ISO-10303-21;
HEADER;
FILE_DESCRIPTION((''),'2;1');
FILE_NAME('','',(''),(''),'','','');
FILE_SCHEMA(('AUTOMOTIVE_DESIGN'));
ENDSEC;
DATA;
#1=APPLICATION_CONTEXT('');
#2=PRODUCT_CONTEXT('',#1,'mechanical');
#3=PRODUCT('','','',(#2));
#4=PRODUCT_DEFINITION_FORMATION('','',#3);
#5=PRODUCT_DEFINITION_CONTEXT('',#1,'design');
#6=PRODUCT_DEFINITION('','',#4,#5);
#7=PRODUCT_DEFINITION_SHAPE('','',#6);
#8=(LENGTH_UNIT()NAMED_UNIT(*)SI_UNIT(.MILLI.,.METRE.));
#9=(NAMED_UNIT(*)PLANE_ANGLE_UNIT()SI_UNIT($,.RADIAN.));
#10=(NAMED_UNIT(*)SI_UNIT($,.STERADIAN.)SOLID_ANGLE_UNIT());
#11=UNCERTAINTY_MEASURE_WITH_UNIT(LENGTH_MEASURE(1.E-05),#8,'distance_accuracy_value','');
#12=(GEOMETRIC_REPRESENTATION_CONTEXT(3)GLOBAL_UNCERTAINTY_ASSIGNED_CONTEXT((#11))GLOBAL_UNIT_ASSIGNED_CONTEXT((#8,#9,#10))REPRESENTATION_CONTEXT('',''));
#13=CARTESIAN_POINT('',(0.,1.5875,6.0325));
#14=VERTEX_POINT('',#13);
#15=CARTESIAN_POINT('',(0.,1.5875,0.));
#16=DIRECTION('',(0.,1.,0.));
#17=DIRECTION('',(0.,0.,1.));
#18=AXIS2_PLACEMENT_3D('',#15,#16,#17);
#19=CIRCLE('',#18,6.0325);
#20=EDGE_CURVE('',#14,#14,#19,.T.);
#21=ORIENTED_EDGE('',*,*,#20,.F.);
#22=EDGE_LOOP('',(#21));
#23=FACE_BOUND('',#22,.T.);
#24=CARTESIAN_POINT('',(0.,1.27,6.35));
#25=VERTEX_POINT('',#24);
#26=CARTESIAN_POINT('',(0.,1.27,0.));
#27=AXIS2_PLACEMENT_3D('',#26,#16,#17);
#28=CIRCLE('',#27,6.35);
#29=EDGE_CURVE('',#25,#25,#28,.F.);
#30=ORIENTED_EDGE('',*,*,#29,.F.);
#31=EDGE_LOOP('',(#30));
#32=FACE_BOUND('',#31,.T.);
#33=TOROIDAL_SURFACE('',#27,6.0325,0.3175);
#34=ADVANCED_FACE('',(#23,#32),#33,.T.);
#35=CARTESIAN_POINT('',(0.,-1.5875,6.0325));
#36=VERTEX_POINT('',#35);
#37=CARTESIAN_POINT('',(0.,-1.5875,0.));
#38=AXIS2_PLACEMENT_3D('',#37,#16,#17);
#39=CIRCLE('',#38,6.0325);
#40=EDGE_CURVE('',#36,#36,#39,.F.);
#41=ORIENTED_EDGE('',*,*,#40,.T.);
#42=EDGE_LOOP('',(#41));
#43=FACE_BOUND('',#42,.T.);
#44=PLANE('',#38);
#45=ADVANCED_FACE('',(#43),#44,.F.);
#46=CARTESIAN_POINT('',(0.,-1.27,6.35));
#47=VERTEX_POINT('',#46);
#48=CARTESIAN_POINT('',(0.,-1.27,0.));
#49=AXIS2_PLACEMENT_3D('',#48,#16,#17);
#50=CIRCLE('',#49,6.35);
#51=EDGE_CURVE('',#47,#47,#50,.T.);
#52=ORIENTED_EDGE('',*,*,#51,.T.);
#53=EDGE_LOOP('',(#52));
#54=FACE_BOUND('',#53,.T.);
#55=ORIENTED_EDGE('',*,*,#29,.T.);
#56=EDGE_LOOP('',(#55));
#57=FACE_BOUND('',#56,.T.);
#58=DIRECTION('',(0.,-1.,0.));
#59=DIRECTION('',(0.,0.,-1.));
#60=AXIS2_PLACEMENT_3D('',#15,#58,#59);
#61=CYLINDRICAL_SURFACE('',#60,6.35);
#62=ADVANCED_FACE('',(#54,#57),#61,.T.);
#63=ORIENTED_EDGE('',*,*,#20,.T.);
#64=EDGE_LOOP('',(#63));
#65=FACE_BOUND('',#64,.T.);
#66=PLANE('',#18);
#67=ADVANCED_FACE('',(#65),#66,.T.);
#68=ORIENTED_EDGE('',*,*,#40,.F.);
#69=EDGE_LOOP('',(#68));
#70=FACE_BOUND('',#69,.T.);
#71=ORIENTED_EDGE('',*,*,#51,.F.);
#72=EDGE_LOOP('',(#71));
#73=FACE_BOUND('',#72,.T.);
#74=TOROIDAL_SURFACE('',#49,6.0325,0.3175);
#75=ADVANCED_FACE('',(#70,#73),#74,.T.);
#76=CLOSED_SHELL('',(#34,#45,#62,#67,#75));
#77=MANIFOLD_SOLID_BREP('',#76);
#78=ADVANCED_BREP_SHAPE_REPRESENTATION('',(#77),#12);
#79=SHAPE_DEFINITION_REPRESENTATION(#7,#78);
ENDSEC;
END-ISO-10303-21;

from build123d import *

# Parameters (mm, degrees)
SKETCH1_R           = 6.35
BOSS_EXTRUDE1_DEPTH = 1.5875
FILLET1_R           = 0.3175


with BuildPart() as part:
    # Sketch1 → Boss-Extrude1 (new, symmetric)
    with BuildSketch(Plane(origin=(0, 0, 0), x_dir=(1, 0, 0), z_dir=(0, 1, 0))):
        with Locations(Location((0, 0, 0), (0, 0, 270))):
            Circle(SKETCH1_R)
    extrude(amount=BOSS_EXTRUDE1_DEPTH, both=True)

    # Fillet1
    fillet1_edges = [part.edges().sort_by_distance(p)[0] for p in [
        (0, -1.5875, -6.35),
        (0, 1.5875, -6.35),
    ]]
    fillet(fillet1_edges, radius=FILLET1_R)


solid = part.part
